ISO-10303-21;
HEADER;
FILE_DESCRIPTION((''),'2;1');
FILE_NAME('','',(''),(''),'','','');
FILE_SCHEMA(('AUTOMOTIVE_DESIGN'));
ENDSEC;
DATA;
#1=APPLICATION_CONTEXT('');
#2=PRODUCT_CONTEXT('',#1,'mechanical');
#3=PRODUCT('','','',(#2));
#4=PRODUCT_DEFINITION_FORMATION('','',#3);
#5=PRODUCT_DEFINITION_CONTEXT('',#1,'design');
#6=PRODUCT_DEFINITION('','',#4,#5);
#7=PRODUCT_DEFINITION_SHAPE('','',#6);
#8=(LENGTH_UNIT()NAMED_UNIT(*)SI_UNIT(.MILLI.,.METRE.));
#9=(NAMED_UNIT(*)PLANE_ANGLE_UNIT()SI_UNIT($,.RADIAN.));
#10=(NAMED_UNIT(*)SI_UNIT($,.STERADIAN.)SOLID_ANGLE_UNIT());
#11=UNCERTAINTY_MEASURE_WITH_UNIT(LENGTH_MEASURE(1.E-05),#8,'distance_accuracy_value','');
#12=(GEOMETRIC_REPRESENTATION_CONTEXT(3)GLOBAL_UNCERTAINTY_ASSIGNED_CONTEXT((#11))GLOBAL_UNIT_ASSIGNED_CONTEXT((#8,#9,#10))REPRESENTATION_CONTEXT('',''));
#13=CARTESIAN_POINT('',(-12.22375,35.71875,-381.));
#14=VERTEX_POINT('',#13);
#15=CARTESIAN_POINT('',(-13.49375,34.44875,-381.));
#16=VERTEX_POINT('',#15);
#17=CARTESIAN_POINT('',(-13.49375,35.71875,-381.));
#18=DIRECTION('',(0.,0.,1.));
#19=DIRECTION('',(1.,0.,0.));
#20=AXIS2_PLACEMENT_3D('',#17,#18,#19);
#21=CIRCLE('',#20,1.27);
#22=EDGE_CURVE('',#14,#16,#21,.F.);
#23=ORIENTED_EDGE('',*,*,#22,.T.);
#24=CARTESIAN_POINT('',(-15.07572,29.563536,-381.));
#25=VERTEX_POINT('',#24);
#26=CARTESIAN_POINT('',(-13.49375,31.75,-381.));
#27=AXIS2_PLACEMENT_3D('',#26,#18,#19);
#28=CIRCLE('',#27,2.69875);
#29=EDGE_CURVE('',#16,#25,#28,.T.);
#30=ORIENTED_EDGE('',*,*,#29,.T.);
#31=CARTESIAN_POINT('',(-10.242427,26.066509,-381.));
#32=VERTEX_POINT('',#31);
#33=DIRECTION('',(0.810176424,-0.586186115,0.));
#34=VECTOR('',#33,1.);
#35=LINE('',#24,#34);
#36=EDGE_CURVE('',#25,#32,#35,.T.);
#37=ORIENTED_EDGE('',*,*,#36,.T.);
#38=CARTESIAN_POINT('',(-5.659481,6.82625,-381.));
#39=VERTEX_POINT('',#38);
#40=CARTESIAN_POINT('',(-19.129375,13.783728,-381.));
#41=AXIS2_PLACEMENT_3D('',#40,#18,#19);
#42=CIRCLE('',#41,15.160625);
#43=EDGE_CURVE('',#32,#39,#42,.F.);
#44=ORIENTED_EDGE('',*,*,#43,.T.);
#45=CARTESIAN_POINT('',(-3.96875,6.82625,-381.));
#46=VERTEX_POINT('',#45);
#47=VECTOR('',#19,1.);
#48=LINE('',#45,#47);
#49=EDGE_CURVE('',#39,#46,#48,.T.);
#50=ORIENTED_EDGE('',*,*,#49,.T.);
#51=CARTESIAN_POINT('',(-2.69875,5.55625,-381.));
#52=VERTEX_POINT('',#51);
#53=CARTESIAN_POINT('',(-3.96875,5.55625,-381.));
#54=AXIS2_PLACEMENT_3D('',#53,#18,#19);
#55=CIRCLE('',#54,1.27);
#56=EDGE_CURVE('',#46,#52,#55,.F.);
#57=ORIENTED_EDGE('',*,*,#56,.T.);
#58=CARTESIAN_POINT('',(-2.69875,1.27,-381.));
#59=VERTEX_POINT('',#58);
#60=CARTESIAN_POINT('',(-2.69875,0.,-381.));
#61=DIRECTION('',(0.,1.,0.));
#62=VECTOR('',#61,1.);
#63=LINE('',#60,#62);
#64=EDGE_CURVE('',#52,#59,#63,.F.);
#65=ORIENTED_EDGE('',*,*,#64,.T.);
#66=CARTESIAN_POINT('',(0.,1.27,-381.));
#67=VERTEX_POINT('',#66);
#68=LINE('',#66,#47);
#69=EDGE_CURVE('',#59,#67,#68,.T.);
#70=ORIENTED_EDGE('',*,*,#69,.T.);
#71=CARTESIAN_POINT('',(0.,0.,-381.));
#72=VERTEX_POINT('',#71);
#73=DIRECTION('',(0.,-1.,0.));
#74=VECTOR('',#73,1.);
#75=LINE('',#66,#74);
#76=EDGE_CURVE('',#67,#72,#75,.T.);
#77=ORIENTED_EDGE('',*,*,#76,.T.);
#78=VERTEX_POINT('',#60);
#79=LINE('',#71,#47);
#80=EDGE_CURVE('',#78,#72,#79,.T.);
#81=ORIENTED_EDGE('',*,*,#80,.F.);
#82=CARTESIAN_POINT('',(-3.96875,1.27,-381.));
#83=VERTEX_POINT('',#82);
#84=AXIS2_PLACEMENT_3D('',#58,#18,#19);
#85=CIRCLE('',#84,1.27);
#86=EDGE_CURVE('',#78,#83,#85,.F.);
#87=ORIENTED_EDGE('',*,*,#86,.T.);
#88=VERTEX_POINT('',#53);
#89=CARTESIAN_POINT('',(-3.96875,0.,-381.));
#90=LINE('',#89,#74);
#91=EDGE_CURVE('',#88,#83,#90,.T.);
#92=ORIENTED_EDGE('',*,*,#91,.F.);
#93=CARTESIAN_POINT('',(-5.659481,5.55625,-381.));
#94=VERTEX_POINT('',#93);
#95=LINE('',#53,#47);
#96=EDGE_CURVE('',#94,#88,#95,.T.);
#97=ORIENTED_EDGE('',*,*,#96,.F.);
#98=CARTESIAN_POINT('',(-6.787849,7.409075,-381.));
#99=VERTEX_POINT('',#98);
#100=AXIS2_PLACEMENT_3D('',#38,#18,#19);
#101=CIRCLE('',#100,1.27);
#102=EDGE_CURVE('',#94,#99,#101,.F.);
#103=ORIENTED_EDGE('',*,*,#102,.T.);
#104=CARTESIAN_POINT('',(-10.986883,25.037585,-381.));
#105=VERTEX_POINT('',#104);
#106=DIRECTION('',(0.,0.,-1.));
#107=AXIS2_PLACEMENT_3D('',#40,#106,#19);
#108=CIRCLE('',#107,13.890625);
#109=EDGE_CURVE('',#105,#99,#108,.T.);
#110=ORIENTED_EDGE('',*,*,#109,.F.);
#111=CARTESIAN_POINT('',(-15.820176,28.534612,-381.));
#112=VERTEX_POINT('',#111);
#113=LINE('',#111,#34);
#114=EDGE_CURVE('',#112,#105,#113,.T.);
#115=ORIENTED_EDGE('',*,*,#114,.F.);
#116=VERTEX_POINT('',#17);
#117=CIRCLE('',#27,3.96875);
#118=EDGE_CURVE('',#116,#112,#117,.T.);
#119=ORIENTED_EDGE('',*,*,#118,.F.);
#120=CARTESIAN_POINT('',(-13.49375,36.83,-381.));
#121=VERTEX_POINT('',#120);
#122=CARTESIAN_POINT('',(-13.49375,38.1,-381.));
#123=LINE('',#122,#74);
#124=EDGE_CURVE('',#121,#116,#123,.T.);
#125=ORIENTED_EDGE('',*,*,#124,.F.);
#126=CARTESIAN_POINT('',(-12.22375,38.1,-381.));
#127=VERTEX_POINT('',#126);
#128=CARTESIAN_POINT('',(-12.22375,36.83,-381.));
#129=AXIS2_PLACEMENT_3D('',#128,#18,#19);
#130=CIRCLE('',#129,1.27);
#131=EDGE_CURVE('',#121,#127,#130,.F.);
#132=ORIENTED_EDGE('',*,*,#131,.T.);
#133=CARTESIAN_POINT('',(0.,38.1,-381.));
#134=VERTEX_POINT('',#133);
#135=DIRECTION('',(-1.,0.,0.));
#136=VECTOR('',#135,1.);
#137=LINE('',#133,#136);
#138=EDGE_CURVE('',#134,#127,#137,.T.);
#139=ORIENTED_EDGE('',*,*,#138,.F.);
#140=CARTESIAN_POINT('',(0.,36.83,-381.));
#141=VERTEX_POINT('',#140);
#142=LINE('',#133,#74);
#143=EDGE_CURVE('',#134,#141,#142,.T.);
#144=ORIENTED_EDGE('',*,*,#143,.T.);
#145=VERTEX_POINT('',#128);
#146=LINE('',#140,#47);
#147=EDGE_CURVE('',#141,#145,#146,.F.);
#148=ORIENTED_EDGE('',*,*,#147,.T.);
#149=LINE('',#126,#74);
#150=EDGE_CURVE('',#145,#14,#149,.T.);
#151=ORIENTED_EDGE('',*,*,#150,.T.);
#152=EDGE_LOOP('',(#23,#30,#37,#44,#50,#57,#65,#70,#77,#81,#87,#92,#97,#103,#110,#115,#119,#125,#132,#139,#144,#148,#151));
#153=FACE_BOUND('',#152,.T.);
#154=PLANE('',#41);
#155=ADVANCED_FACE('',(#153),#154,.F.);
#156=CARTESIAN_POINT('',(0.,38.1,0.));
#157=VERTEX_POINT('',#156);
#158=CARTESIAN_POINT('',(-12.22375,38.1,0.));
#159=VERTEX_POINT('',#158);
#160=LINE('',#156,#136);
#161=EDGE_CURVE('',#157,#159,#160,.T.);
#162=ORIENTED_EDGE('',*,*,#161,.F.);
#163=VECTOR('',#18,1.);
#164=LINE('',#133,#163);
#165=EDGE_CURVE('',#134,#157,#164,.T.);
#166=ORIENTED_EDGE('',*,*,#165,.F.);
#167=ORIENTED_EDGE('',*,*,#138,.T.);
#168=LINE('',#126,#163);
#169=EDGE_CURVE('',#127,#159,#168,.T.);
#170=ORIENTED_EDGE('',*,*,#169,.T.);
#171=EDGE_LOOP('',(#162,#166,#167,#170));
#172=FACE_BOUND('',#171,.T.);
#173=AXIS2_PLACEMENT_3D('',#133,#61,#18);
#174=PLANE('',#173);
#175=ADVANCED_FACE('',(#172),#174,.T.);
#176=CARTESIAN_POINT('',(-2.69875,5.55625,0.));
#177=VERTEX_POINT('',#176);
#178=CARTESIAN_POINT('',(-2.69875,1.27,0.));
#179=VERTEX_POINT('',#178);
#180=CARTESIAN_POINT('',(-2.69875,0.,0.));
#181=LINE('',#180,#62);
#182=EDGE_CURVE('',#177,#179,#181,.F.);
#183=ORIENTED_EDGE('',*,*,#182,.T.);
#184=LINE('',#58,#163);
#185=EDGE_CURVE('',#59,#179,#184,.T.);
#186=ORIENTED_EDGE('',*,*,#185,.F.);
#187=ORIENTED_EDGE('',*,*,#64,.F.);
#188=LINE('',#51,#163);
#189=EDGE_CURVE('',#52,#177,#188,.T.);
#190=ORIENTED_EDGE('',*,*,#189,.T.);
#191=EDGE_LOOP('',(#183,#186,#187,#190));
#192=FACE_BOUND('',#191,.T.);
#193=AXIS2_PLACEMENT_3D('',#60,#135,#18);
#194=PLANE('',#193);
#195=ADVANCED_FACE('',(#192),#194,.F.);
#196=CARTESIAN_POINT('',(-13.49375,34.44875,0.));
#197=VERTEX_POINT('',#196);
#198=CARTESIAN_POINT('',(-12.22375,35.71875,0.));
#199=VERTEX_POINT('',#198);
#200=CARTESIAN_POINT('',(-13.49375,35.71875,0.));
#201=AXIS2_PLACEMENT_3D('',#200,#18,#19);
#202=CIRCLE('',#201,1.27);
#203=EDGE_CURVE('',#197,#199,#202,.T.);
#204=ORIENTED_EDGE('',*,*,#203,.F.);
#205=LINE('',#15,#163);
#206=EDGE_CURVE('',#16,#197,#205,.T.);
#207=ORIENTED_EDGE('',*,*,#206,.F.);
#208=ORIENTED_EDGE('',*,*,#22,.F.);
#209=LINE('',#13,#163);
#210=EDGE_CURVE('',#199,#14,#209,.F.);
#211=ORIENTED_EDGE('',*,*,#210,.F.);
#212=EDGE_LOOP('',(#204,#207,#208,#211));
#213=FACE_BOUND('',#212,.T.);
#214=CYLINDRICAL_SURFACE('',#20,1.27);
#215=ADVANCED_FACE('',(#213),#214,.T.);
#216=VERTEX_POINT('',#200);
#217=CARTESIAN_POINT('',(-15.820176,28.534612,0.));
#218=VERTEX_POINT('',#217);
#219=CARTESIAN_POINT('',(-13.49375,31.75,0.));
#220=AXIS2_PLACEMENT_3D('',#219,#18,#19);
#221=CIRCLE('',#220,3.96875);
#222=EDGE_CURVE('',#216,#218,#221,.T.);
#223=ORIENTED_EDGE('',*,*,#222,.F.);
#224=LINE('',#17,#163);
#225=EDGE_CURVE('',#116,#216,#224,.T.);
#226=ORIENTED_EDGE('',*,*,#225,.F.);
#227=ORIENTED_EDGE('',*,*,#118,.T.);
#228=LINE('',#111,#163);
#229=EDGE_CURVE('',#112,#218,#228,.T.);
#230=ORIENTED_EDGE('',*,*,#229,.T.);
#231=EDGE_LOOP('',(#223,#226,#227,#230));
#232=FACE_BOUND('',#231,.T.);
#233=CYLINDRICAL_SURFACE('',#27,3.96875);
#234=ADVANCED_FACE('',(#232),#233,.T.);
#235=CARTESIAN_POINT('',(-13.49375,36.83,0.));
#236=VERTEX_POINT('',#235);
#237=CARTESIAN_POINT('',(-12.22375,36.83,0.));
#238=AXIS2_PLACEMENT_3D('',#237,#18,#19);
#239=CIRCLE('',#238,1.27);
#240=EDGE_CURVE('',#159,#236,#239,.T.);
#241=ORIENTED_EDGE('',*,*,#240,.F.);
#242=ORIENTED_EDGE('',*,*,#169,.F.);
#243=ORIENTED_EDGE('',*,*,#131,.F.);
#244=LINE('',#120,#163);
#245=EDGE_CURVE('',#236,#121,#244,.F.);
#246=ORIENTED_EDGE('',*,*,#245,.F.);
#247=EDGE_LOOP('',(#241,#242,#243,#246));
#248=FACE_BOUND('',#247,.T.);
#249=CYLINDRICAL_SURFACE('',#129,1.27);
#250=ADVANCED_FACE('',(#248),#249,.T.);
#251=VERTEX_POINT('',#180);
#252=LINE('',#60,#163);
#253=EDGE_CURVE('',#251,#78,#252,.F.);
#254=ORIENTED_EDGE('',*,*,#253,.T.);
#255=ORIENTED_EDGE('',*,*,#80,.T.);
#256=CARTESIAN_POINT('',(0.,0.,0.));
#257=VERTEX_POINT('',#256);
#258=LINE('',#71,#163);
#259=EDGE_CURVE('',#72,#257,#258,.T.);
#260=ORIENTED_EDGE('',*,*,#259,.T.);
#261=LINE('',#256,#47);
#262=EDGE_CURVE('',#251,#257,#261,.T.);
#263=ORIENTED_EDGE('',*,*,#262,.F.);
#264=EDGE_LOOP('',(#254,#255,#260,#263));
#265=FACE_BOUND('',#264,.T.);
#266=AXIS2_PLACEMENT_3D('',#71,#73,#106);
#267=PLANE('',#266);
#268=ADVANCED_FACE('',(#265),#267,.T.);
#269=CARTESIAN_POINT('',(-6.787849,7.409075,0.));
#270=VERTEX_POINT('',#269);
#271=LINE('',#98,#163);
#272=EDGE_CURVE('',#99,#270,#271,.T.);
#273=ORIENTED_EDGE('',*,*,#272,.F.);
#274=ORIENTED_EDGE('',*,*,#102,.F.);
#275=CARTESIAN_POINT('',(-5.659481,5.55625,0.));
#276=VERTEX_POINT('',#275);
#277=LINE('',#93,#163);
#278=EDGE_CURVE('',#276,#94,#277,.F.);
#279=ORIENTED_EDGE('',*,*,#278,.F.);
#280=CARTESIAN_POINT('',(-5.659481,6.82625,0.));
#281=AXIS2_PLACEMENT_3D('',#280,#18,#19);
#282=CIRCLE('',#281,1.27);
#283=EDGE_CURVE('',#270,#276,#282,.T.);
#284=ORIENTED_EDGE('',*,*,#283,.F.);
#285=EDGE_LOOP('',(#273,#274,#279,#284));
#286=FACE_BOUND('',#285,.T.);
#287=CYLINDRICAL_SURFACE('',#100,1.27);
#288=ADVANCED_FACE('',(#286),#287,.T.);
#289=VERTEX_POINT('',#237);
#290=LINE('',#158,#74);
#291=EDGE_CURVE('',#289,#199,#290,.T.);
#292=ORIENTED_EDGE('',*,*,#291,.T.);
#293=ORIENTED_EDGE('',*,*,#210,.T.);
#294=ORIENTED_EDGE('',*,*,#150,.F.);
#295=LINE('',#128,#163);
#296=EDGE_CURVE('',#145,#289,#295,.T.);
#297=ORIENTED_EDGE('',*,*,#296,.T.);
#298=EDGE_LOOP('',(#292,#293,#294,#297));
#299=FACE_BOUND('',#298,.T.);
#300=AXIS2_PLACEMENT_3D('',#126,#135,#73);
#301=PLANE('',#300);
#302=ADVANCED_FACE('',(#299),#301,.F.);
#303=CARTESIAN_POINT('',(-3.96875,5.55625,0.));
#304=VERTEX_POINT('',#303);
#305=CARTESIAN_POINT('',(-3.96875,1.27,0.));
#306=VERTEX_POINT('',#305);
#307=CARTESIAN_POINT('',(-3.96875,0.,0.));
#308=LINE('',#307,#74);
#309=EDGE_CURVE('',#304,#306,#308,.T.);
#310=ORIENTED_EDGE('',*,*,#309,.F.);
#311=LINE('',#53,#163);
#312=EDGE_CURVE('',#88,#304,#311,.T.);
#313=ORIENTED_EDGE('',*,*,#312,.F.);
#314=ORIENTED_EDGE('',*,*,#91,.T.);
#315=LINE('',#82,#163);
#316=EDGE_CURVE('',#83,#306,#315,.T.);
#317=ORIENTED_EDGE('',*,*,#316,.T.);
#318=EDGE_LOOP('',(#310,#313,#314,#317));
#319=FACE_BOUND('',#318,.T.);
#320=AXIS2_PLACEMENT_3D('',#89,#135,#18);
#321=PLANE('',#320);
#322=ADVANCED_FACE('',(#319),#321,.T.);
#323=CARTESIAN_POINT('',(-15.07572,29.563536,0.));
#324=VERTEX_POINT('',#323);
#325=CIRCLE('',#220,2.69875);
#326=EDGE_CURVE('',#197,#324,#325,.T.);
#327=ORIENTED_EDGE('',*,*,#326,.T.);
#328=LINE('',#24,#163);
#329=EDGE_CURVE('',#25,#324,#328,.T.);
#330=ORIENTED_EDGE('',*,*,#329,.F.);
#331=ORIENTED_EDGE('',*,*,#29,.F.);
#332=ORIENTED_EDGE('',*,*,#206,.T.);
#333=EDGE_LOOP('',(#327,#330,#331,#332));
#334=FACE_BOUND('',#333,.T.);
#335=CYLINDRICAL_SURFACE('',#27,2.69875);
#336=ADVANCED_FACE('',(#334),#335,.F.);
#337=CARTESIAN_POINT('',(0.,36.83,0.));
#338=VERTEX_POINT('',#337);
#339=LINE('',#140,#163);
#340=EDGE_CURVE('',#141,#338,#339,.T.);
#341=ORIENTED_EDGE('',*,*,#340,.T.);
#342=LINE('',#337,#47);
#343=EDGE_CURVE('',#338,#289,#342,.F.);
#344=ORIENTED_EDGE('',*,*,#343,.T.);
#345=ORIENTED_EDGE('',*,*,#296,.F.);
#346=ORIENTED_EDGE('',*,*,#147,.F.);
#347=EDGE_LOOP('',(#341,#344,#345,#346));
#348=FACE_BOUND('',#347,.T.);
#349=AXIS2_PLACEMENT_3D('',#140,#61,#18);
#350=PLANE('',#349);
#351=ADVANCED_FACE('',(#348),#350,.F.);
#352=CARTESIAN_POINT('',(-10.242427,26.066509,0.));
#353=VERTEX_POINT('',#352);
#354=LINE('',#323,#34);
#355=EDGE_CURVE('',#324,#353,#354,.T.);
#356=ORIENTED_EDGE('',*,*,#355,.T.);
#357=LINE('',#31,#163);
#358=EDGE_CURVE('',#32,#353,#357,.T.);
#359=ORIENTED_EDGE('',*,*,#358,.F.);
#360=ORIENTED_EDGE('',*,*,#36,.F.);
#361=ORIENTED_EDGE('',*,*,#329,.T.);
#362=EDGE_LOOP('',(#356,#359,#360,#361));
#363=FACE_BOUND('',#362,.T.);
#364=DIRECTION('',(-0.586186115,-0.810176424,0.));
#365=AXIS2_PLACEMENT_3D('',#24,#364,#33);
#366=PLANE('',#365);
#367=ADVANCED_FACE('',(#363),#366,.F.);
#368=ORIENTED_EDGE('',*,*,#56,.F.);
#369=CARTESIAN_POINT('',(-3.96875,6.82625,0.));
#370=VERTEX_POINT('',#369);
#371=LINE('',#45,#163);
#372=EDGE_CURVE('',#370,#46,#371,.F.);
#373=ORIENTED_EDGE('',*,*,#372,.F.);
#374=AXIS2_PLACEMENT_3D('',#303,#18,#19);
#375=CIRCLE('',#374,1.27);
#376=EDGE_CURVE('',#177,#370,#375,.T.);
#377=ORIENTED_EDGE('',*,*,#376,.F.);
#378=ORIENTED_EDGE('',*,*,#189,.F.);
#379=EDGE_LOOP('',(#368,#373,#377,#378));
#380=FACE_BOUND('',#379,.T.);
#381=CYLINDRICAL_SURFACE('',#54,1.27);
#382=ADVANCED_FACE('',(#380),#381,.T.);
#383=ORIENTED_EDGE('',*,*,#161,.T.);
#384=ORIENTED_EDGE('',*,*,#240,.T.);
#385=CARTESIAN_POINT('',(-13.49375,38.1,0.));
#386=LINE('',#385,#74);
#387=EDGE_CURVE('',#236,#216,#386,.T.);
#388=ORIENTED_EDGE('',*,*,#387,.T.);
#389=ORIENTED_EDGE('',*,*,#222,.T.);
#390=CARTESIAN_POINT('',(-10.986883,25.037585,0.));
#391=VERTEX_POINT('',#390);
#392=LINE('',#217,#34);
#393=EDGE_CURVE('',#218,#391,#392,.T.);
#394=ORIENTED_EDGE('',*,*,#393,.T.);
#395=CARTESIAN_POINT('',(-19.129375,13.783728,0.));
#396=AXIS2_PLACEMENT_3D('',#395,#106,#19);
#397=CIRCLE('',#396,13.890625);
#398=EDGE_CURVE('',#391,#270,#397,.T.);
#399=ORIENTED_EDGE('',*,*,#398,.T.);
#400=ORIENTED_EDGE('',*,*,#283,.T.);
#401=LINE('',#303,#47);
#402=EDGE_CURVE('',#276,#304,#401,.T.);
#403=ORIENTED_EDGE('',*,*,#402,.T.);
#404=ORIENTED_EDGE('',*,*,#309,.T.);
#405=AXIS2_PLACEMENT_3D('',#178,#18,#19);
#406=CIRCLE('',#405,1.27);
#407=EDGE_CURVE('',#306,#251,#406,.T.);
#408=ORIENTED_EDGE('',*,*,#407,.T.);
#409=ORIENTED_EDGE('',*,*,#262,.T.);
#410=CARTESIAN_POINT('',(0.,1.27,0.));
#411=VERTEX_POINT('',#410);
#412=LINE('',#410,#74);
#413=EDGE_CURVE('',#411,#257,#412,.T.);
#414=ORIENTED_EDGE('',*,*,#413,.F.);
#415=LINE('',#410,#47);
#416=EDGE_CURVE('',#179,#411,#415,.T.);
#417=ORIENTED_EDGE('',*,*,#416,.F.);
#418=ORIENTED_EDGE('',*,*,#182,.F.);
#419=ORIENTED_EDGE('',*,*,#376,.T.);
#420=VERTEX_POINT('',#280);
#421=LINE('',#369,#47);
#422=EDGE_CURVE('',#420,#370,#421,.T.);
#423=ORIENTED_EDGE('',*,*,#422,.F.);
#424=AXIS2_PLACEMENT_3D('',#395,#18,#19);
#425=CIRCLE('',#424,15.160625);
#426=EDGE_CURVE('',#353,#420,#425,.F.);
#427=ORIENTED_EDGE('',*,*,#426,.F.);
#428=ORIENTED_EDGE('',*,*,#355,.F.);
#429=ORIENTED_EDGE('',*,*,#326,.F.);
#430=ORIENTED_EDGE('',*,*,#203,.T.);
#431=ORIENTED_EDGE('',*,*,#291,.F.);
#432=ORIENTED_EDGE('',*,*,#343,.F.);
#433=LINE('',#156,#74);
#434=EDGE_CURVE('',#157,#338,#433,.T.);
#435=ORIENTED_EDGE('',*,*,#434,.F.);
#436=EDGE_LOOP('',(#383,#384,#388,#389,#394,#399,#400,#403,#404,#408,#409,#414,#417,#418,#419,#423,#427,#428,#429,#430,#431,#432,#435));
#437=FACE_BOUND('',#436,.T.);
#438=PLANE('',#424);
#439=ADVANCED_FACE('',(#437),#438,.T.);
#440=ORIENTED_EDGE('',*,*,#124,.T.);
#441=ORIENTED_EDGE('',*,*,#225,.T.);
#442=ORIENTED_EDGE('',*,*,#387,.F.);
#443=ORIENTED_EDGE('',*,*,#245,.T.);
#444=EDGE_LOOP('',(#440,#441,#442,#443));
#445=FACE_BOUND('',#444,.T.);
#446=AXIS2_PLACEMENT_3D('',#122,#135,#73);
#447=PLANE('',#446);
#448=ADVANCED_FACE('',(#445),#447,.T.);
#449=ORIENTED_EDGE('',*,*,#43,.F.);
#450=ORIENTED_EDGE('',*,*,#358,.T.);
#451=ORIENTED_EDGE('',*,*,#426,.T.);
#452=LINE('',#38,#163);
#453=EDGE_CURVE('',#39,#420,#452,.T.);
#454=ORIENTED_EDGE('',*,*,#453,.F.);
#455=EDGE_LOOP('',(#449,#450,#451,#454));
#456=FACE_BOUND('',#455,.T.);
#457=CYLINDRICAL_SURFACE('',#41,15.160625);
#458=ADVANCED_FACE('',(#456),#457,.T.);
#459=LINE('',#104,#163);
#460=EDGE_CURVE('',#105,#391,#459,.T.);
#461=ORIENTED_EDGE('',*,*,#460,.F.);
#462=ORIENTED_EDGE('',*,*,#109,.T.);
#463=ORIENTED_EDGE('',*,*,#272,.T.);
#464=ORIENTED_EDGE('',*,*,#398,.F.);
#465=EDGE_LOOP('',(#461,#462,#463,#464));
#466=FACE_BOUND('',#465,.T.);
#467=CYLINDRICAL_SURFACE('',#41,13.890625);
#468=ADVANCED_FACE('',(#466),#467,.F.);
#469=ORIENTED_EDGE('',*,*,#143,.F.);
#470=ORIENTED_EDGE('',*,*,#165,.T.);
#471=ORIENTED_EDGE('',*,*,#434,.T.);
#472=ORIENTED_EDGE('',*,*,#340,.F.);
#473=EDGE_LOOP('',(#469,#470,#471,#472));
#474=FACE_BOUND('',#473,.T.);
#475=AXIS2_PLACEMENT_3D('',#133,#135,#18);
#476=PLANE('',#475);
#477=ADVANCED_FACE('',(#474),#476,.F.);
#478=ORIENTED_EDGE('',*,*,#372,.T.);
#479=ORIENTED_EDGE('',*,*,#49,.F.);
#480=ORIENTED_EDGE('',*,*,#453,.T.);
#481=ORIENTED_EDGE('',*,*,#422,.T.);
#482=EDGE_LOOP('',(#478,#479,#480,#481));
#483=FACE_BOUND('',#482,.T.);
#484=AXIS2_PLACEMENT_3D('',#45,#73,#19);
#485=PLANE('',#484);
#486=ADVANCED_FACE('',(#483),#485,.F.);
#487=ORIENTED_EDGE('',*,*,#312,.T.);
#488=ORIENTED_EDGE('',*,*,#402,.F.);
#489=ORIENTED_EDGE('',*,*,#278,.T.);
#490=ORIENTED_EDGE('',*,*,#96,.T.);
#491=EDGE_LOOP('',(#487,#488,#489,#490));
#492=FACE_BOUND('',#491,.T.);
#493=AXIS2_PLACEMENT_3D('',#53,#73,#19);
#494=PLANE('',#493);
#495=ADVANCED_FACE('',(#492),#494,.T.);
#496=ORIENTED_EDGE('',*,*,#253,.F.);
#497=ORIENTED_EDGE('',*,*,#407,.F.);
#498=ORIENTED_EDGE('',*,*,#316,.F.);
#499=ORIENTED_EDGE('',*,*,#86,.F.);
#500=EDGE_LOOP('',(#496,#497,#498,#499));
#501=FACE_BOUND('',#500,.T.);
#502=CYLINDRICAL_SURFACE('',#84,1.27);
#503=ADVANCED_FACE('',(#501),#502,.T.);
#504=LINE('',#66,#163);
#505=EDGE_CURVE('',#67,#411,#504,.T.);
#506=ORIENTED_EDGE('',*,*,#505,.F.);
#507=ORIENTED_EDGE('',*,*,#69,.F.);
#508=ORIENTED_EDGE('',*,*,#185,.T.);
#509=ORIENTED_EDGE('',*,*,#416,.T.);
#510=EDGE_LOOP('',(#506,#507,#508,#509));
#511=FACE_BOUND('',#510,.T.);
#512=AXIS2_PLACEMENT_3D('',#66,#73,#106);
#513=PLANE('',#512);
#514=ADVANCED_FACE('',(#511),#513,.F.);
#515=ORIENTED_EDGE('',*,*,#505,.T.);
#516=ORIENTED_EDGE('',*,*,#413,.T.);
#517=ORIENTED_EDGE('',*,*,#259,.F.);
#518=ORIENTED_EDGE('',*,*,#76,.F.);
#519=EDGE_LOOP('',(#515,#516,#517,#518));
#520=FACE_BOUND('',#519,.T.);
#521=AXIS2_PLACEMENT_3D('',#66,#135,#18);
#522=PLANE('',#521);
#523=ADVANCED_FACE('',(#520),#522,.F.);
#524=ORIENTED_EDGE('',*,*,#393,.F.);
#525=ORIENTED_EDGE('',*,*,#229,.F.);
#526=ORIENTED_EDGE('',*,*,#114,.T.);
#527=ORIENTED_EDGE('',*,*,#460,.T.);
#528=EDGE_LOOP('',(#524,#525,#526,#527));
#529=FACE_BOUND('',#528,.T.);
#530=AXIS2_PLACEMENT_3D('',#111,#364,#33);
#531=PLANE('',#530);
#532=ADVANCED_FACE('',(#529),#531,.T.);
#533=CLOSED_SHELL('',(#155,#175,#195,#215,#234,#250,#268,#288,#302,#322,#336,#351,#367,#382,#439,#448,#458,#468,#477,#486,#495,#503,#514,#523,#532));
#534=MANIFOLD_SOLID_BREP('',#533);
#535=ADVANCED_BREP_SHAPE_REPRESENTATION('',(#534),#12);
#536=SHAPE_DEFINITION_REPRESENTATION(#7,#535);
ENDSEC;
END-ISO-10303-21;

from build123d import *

# Parameters (mm, degrees)
EXTRUDE_THIN1_DEPTH = 381
FILLET1_R           = 1.27


with BuildPart() as part:
    # Sketch1 → Extrude-Thin1 (new body)
    with BuildSketch(Plane.XY):
        with BuildLine():
            Line((0, 0), (-3.96875, 0))
            Line((-3.96875, 0), (-3.96875, 5.55625))
            Line((-3.96875, 5.55625), (-7.9375, 5.55625))
            ThreePointArc((-7.9375, 5.55625), (-5.405853735, 15.931849892), (-10.986883491, 25.037585051))
            Line((-10.986883491, 25.037585051), (-15.820176145, 28.534612317))
            ThreePointArc((-15.820176145, 28.534612317), (-17.269464928, 32.972682848), (-13.49375, 35.71875))
            Line((-13.49375, 35.71875), (-13.49375, 38.1))
            Line((-13.49375, 38.1), (0, 38.1))
            Line((0, 38.1), (0, 36.83))
            Line((0, 36.83), (-12.22375, 36.83))
            Line((-12.22375, 36.83), (-12.22375, 34.13125))
            ThreePointArc((-12.22375, 34.13125), (-15.782927412, 33.179306943), (-15.075719779, 29.563536375))
            Line((-15.075719779, 29.563536375), (-10.242427125, 26.06650911))
            ThreePointArc((-10.242427125, 26.06650911), (-4.381358563, 17.296641703), (-5.659480864, 6.82625))
            Line((-5.659480864, 6.82625), (-2.69875, 6.82625))
            Line((-2.69875, 6.82625), (-2.69875, 1.27))
            Line((-2.69875, 1.27), (0, 1.27))
            Line((0, 1.27), (0, 0))
        make_face()
    extrude(amount=-EXTRUDE_THIN1_DEPTH)

    # Fillet1
    fillet1_edges = [part.edges().sort_by_distance(p)[0] for p in [
        (-3.96875, 0, -190.5),
        (-7.9375, 5.55625, -190.5),
        (-13.49375, 38.1, -190.5),
        (-12.22375, 34.13125, -190.5),
        (-2.69875, 6.82625, -190.5),
    ]]
    fillet(fillet1_edges, radius=FILLET1_R)


solid = part.part
